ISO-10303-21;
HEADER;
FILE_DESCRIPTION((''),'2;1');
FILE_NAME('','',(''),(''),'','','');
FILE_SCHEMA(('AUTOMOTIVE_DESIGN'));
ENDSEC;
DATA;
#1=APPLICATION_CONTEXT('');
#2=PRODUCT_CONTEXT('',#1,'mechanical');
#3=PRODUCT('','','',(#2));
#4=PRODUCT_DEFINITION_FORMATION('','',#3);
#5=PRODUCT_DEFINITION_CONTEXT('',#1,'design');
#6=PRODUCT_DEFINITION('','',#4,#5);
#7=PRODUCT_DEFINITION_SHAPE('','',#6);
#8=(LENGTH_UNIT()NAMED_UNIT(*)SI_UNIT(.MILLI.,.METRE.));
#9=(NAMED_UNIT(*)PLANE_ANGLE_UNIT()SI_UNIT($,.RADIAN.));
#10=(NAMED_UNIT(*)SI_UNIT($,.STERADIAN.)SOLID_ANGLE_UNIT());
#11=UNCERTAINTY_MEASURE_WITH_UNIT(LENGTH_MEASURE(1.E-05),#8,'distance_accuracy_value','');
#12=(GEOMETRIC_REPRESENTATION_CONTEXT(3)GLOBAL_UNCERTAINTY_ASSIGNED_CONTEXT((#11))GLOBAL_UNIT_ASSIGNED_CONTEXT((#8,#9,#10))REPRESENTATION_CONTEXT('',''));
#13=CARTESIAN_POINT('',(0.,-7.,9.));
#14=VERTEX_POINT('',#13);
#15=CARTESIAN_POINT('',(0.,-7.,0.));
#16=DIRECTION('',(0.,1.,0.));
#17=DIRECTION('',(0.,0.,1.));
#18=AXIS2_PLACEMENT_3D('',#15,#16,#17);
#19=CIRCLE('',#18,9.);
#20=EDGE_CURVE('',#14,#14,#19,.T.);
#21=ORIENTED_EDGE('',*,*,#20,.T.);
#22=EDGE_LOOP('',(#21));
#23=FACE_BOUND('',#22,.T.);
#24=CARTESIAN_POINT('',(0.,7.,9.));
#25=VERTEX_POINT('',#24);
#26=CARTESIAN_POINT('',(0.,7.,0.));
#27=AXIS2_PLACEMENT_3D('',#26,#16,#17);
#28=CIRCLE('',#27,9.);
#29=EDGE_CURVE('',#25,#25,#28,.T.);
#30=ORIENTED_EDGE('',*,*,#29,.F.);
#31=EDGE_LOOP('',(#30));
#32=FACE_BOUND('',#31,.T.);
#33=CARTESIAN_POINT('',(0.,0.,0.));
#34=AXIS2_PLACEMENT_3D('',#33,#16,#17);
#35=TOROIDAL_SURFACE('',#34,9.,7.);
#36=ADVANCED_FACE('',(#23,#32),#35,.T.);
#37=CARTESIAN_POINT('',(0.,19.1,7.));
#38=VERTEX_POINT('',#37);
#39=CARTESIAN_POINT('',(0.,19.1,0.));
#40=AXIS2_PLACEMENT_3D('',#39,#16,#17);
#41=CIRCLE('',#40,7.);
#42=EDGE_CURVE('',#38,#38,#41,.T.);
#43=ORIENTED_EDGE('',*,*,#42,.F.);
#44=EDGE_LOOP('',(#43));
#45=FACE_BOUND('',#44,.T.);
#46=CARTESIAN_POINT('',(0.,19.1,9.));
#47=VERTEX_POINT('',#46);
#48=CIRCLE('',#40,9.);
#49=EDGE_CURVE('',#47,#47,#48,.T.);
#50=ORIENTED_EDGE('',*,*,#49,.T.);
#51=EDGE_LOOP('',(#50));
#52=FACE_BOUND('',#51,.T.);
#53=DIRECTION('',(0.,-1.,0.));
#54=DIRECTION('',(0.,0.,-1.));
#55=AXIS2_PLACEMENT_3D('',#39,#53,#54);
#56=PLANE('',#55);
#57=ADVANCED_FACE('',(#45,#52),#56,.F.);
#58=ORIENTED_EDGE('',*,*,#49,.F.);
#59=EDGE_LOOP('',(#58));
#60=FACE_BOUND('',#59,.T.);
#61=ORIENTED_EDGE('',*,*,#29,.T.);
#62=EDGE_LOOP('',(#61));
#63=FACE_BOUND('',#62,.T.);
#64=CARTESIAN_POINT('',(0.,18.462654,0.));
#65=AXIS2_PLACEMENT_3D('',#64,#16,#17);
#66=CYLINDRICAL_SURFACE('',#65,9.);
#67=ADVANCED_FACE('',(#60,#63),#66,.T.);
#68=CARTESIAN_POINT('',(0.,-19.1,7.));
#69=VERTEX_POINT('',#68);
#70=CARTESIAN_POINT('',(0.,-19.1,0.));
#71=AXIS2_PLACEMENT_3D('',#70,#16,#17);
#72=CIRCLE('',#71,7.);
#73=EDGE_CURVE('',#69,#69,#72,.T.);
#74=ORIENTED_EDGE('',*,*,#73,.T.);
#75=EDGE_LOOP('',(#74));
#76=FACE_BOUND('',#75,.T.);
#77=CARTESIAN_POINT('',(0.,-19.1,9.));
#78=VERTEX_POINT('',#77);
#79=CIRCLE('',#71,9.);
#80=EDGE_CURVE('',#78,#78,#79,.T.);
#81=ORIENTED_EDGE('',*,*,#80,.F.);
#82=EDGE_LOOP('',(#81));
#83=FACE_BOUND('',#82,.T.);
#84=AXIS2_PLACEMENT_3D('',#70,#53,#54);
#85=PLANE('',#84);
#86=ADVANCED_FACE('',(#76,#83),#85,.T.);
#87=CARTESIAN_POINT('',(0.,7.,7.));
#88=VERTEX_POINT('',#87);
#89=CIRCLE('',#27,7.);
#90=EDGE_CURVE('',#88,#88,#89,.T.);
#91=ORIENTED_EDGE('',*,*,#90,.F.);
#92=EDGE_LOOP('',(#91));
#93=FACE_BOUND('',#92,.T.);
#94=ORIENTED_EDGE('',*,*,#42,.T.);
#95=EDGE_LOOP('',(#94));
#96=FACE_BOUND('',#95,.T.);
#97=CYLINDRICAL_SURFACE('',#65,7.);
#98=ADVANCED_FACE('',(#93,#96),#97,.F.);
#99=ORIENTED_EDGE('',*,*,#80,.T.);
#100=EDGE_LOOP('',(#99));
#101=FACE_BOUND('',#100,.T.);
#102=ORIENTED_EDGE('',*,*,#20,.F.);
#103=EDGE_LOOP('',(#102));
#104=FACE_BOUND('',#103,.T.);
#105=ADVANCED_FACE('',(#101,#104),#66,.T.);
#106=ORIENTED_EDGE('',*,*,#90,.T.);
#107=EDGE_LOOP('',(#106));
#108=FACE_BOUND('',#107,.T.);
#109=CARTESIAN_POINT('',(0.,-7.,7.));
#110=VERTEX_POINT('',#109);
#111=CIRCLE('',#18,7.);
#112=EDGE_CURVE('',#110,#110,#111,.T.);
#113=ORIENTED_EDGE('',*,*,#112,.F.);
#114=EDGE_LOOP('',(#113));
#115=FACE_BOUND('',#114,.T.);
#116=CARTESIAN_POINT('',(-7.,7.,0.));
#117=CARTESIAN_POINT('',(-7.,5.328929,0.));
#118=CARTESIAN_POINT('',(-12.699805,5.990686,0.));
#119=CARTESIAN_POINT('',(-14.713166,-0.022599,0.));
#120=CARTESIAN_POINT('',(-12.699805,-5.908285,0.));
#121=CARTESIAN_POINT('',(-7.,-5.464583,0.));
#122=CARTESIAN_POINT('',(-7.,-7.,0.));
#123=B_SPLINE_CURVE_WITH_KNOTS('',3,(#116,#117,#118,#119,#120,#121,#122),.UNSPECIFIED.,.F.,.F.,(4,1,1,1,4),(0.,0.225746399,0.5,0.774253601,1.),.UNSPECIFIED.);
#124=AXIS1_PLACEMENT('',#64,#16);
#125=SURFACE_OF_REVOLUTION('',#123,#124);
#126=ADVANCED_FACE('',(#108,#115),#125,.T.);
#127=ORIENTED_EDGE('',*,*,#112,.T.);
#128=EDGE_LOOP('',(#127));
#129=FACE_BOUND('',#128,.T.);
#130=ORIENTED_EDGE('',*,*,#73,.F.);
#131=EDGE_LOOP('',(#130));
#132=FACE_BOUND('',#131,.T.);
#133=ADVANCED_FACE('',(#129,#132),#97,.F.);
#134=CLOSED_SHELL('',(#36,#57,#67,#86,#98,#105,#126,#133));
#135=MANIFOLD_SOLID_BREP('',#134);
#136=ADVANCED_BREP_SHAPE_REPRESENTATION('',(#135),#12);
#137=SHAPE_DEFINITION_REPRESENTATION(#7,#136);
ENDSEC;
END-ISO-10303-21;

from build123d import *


with BuildPart() as part:
    # Sketch1 → Revolve1 (revolve)
    with BuildSketch(Plane.XY, mode=Mode.PRIVATE) as revolve1_sk:
        with BuildLine():
            Line((-9, -19.1), (-7, -19.1))
            Line((-7, -19.1), (-7, -7))
            add(Edge.make_bspline(
                [(-7, 7), (-7, 5.328929103), (-12.699804955, 5.99068616), (-14.713166348, -0.022598793), (-12.699804955, -5.908285079), (-7, -5.464582725), (-7, -7)],
                knots=[0, 0, 0, 0, 0.225746399, 0.5, 0.774253601, 1, 1, 1, 1], degree=3))
            Line((-7, 7), (-7, 19.1))
            Line((-7, 19.1), (-9, 19.1))
            Line((-9, 19.1), (-9, 7))
            ThreePointArc((-9, 7), (-16, 0), (-9, -7))
            Line((-9, -7), (-9, -19.1))
        make_face()
    revolve(revolve1_sk.sketch.rotate(Axis((0, 18.462653929, 0), (0, -1, 0)), 270), axis=Axis((0, 18.462653929, 0), (0, -1, 0)))


solid = part.part
